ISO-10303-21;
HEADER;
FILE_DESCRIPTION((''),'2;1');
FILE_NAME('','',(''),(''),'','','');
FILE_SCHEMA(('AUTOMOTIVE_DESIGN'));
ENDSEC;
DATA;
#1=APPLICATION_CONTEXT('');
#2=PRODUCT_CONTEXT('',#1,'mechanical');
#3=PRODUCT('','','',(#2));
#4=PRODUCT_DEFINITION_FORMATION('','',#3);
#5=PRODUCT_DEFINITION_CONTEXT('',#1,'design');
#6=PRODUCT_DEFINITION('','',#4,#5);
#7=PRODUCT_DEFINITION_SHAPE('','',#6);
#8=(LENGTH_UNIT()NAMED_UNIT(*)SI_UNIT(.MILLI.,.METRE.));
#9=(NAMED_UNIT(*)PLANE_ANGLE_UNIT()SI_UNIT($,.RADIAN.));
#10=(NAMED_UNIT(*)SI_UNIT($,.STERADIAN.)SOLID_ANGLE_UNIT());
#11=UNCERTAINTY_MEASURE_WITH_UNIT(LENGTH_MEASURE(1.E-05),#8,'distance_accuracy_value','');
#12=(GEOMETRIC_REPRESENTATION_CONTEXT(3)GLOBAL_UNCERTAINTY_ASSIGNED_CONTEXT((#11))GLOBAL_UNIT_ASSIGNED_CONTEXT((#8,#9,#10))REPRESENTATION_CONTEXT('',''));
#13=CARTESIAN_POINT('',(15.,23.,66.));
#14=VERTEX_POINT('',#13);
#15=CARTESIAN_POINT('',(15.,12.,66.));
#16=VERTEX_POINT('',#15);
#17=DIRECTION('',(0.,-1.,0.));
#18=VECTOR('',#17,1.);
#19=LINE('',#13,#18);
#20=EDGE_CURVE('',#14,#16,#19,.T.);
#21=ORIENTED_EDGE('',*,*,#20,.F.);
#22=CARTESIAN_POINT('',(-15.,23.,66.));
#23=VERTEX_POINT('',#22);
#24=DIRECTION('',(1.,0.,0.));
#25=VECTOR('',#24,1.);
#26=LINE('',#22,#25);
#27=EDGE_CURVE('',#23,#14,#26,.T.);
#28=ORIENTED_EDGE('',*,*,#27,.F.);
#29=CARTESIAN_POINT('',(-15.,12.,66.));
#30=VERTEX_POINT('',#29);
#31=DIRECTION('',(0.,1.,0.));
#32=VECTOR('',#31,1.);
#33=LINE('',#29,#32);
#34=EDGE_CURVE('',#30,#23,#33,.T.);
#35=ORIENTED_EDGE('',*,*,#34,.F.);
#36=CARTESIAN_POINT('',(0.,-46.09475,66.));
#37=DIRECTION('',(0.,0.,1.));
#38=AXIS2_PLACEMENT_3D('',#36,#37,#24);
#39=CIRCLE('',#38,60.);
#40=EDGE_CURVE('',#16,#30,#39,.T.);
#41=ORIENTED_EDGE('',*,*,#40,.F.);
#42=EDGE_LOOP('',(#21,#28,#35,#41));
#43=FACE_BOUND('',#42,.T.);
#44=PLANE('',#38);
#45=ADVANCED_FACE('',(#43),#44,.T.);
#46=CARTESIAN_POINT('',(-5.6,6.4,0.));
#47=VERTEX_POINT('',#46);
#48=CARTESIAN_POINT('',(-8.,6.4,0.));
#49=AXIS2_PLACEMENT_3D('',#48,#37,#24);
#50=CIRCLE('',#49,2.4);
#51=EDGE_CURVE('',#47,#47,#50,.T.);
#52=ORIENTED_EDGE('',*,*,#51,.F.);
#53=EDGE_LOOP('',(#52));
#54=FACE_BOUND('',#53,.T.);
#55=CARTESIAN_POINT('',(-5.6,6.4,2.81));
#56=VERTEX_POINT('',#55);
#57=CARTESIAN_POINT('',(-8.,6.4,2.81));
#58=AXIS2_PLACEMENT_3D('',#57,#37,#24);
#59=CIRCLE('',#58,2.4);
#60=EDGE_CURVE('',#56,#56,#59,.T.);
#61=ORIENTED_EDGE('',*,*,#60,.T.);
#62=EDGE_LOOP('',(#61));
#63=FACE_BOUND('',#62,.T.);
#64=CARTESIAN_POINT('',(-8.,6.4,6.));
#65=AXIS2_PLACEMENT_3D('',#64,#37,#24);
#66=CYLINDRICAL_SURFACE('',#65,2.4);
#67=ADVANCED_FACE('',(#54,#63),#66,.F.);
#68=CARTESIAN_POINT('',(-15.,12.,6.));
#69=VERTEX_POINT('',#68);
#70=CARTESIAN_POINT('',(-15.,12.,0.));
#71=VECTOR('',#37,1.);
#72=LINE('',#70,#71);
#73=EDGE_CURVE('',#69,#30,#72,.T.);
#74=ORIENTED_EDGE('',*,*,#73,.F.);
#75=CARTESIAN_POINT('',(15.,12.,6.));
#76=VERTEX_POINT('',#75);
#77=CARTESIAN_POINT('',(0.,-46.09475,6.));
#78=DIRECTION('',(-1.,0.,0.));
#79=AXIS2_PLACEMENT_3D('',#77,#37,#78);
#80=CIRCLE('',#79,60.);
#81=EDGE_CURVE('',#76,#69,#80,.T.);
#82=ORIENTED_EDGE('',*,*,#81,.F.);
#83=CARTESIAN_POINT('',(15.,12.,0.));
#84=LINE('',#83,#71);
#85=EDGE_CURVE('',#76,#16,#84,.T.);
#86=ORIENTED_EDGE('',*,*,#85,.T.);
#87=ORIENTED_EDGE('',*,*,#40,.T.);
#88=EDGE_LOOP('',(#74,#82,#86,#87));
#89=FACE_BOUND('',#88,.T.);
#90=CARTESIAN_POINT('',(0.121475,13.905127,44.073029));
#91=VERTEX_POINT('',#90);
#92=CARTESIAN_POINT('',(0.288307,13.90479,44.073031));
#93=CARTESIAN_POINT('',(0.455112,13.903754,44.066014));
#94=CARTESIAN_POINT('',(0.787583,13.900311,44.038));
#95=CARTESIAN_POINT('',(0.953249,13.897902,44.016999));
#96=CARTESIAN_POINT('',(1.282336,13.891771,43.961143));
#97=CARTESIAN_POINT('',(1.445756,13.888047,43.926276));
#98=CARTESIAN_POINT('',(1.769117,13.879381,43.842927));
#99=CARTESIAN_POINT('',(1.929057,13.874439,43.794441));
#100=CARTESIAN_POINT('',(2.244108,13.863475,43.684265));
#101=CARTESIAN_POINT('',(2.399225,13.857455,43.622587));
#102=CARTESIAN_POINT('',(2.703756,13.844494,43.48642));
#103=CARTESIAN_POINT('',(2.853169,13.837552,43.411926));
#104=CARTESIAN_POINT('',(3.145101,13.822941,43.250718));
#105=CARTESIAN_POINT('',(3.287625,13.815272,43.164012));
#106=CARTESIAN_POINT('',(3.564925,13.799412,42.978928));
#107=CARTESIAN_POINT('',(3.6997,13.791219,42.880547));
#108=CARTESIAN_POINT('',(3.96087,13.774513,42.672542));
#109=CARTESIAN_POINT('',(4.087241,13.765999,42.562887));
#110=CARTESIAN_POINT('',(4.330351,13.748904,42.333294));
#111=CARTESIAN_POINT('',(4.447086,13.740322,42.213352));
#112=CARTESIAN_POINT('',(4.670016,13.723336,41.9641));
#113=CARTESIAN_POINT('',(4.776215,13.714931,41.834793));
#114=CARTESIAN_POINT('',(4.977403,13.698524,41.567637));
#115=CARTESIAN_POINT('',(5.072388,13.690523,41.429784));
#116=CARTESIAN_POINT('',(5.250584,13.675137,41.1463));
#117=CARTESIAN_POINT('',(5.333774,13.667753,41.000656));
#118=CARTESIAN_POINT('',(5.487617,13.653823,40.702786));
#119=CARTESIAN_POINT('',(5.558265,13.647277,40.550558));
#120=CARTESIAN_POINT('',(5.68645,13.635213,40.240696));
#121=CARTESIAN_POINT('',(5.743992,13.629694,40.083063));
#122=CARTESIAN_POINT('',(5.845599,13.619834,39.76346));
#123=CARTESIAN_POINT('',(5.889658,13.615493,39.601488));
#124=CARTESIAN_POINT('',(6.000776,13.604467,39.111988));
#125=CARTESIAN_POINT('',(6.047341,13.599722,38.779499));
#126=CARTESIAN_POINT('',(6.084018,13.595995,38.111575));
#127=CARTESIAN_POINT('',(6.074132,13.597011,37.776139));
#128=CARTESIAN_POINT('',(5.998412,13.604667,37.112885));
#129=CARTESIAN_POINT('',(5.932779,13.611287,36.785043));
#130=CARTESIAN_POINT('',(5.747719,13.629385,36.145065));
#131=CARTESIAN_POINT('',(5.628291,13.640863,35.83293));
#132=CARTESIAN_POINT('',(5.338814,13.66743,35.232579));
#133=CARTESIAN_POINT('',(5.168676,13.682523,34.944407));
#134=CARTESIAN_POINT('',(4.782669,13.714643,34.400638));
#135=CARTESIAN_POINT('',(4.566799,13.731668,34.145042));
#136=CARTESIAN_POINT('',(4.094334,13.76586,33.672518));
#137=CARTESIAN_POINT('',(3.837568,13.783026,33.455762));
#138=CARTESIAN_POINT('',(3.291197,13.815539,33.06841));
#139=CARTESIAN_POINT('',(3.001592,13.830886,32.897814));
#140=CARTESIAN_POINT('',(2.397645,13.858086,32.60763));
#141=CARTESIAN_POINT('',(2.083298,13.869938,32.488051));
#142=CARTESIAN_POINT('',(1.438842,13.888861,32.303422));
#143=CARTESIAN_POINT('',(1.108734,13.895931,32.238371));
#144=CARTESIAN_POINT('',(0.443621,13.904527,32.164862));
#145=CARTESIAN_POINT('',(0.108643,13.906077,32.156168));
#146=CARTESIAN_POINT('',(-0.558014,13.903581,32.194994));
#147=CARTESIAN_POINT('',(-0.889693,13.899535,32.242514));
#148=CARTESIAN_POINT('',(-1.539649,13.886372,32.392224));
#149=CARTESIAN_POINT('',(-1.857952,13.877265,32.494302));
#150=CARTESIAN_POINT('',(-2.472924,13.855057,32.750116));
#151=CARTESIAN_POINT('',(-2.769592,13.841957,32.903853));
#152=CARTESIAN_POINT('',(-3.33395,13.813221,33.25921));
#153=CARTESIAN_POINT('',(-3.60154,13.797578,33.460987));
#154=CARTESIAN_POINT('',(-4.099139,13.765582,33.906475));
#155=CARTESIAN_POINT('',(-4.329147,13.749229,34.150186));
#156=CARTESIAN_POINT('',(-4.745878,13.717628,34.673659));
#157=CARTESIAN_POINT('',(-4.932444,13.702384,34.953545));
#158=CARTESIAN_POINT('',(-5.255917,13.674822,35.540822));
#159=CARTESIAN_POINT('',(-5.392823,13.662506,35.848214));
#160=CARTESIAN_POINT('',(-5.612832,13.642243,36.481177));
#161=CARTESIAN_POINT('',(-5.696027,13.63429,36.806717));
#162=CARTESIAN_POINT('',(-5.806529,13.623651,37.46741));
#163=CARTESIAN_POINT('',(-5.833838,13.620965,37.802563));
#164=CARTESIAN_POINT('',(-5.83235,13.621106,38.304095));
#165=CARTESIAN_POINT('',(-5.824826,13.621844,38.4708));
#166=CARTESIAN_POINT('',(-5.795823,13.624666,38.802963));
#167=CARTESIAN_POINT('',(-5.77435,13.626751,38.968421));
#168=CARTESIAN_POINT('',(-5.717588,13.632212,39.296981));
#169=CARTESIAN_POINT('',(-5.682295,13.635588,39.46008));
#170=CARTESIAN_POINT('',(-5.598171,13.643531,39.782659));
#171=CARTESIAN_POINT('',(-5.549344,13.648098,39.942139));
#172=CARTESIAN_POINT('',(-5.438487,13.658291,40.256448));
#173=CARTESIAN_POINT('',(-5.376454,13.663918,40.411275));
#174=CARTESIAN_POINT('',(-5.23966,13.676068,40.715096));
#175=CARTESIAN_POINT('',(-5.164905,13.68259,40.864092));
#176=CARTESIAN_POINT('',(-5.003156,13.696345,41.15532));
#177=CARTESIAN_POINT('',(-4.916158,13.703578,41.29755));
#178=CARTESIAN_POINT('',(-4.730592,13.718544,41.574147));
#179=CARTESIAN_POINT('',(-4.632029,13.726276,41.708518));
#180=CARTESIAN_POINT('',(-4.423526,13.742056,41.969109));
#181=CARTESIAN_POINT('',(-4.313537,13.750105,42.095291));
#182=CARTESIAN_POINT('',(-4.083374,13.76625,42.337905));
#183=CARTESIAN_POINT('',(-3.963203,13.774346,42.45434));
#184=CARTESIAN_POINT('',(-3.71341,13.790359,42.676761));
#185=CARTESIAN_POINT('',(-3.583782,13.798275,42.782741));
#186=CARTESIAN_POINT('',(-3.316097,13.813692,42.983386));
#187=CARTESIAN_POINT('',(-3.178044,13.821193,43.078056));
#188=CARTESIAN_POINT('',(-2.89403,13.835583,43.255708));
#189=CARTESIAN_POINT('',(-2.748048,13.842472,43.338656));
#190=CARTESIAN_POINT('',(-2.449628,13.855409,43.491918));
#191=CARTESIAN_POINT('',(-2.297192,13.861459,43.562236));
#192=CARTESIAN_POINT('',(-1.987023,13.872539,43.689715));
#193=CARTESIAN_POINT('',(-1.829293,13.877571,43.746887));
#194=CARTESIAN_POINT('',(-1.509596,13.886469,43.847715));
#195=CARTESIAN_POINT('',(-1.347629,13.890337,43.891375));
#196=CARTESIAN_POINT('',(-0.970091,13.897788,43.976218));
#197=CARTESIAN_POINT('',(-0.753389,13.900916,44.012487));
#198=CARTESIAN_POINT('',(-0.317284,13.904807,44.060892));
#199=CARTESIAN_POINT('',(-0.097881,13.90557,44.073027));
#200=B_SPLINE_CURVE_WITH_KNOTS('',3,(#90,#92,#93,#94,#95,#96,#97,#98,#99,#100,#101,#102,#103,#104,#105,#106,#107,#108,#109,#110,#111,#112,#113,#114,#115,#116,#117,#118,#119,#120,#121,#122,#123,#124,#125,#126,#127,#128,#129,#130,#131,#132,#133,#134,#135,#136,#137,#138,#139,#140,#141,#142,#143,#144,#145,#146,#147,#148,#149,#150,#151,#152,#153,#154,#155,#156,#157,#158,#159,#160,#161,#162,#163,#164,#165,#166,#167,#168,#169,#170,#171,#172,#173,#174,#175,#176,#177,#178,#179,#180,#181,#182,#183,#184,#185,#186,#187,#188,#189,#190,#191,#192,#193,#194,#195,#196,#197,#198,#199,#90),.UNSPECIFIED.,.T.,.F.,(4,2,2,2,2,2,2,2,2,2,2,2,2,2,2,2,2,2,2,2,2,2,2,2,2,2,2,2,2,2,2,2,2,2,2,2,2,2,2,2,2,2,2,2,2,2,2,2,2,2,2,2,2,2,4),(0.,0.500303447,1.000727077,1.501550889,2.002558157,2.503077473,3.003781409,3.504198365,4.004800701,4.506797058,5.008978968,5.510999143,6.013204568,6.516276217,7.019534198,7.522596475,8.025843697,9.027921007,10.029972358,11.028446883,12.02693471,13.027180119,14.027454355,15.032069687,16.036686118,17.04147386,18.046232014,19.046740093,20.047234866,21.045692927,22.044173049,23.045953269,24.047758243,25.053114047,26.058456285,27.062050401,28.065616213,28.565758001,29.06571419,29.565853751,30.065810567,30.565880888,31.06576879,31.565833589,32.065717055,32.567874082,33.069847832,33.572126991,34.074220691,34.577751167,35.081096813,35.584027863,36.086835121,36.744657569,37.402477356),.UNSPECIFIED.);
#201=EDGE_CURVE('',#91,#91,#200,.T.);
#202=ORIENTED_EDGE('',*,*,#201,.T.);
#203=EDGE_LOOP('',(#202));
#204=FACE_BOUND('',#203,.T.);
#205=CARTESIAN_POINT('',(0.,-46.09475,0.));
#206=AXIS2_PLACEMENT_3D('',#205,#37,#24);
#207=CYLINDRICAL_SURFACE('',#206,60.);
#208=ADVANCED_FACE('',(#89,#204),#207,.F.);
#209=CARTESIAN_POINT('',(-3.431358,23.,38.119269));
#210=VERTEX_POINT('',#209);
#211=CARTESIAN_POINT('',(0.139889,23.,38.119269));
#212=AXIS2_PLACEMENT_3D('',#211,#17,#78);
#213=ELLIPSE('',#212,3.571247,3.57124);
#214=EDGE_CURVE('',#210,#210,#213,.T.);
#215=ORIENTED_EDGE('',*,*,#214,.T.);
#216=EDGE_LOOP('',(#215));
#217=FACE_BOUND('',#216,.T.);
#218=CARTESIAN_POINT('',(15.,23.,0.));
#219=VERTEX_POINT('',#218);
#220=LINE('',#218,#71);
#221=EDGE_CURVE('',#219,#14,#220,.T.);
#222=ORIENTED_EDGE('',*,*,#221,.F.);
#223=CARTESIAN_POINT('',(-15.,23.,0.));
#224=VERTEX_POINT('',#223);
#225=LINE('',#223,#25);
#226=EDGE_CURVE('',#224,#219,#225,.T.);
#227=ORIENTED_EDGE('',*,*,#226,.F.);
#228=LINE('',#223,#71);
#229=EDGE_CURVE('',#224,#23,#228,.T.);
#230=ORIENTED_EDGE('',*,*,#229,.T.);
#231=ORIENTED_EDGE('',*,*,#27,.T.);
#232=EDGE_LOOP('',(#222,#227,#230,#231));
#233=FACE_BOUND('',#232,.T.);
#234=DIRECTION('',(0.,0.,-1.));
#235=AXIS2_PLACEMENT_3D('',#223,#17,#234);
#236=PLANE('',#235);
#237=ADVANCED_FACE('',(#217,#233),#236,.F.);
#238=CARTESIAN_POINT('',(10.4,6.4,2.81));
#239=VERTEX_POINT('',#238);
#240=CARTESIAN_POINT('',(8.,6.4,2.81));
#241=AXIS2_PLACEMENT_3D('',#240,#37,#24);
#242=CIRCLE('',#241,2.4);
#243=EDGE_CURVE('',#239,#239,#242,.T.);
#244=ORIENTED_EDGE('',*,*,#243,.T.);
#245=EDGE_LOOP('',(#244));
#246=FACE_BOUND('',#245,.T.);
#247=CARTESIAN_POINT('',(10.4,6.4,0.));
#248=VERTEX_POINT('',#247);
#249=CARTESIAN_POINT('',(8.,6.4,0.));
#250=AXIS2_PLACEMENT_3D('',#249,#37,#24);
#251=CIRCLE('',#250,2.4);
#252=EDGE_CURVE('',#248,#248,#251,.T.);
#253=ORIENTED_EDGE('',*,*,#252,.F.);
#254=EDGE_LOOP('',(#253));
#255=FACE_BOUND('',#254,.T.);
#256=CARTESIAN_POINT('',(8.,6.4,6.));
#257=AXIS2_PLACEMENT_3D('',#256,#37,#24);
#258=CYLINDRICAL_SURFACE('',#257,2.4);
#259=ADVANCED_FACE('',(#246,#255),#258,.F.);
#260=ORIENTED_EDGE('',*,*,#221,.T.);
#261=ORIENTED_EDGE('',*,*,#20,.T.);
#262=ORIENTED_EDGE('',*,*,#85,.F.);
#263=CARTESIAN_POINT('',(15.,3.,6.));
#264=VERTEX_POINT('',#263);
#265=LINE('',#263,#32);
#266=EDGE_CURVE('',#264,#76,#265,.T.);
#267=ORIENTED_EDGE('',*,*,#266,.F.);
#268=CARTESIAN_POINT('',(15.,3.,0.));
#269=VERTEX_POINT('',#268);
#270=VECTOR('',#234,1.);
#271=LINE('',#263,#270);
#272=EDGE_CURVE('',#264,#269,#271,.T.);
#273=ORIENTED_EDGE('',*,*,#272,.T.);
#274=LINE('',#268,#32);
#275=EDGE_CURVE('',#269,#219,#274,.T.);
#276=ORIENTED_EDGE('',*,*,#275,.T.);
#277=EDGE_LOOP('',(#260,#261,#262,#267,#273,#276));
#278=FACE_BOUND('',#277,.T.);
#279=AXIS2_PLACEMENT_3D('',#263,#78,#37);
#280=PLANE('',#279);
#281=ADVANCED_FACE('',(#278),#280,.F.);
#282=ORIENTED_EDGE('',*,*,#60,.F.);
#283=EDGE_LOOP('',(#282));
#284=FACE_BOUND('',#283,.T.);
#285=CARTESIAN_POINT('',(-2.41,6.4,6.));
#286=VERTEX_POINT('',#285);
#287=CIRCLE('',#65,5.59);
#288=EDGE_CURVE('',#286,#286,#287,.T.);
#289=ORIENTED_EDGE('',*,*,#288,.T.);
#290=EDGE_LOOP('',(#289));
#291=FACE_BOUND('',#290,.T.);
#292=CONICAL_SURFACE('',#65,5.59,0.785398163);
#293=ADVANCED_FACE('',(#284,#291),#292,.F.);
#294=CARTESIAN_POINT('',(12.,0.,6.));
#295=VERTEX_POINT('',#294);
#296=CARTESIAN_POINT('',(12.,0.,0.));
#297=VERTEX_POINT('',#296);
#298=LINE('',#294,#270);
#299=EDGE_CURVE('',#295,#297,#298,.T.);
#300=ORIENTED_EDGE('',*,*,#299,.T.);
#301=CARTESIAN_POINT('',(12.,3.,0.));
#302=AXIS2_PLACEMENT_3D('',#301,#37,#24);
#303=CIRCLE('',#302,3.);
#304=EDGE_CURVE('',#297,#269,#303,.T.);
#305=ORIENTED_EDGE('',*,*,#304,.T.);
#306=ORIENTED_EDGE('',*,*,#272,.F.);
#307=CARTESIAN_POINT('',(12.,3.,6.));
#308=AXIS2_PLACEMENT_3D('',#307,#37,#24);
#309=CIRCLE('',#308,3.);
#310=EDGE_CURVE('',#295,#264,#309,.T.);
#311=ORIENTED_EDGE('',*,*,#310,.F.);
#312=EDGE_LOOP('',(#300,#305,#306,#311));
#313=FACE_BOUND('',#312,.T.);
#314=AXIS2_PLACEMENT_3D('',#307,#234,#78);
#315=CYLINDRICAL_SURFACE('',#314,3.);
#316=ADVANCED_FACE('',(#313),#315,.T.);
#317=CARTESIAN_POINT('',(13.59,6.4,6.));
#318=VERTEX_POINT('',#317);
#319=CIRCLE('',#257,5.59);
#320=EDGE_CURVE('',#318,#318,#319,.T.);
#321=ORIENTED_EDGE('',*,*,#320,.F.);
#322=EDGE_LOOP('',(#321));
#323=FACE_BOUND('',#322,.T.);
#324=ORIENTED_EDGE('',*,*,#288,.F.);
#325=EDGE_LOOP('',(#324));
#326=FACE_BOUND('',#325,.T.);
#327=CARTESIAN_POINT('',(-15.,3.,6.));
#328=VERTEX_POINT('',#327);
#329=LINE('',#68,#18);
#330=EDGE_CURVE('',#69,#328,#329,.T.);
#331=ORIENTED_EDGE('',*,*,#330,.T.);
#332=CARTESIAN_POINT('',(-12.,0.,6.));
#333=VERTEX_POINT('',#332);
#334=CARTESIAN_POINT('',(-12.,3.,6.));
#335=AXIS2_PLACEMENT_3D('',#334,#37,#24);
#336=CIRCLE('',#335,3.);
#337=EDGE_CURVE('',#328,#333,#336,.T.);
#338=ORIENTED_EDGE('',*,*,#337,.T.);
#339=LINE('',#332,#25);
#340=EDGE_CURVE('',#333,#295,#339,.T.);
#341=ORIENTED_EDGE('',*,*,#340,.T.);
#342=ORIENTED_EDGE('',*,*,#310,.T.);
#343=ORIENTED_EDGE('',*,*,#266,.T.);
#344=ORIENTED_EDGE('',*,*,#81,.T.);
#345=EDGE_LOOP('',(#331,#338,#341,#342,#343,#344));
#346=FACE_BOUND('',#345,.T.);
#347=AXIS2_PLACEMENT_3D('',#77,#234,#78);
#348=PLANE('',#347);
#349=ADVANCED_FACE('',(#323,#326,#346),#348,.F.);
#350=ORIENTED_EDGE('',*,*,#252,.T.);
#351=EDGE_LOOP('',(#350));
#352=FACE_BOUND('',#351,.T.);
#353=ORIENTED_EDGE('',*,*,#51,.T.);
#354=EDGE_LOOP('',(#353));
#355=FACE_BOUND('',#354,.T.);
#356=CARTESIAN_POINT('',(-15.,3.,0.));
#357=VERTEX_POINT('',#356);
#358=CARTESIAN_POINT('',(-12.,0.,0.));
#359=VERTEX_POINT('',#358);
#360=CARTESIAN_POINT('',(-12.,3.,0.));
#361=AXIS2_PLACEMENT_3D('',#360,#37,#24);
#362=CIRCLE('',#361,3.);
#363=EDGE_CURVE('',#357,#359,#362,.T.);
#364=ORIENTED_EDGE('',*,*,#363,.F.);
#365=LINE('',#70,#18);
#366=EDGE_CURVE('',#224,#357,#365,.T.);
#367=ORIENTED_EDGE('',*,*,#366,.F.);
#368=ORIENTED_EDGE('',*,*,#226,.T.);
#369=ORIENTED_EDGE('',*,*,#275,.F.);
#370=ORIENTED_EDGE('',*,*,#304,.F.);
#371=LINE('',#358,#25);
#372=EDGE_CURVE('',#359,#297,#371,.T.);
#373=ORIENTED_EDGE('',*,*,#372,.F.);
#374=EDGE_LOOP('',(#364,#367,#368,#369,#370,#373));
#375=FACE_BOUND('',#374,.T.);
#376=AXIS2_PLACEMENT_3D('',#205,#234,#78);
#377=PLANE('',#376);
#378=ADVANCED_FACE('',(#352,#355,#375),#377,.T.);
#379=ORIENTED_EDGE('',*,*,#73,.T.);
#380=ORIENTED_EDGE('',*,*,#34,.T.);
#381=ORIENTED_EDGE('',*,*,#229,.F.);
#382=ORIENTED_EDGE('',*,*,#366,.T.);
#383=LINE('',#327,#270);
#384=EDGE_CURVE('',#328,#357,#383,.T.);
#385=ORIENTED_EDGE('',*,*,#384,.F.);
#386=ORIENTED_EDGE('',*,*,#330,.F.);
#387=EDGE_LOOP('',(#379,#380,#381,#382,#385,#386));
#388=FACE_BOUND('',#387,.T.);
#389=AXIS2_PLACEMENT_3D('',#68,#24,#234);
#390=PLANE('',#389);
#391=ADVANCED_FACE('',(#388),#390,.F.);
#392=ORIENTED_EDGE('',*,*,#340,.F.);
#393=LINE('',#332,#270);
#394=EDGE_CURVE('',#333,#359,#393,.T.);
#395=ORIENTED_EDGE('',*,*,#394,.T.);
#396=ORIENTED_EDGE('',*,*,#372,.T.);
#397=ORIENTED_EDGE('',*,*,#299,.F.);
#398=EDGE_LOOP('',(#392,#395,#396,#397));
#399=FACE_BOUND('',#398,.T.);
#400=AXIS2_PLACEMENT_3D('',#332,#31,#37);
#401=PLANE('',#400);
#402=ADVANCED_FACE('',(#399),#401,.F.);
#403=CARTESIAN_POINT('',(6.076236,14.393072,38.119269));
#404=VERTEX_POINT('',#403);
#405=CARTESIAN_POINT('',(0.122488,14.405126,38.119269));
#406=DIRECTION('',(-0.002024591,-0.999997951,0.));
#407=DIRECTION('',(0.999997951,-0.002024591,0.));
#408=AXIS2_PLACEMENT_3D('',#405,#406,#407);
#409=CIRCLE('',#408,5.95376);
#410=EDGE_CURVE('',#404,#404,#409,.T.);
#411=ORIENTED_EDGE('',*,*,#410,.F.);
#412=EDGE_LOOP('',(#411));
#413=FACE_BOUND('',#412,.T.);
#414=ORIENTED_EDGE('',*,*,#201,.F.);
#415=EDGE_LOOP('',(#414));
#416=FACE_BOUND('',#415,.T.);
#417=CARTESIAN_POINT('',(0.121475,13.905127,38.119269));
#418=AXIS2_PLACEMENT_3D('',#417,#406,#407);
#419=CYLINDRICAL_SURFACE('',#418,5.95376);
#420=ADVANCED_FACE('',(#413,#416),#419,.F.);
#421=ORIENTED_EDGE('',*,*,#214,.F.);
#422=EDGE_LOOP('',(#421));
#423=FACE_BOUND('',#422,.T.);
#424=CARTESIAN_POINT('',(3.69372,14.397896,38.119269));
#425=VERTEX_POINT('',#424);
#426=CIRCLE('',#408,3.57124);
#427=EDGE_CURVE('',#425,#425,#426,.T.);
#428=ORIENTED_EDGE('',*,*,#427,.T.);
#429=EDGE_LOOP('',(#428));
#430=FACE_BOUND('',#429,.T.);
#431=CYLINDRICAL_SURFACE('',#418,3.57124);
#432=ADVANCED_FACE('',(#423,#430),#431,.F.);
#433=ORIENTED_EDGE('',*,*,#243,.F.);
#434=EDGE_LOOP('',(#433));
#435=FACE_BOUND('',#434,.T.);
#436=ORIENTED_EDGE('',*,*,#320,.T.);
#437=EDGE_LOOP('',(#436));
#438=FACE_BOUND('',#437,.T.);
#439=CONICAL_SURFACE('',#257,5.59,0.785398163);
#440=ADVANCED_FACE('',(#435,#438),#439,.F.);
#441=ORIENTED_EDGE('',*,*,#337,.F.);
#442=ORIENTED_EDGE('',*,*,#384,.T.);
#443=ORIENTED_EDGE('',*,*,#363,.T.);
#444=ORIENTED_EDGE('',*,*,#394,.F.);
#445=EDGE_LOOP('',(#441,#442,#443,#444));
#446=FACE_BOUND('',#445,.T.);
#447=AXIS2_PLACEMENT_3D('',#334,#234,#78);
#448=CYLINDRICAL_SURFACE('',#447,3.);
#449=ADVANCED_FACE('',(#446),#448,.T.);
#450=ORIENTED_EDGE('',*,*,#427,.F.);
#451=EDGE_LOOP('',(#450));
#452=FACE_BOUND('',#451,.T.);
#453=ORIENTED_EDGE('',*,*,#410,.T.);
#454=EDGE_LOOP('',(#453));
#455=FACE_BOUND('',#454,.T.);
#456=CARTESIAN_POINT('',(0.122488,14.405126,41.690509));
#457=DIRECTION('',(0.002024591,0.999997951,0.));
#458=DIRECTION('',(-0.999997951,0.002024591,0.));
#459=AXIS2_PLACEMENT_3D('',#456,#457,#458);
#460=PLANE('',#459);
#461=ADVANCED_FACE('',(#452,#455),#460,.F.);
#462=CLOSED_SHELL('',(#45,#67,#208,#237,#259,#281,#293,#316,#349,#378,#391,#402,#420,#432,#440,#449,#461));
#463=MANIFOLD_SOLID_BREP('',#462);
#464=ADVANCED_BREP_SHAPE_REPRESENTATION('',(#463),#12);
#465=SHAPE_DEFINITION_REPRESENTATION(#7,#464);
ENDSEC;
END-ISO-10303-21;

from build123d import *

# Parameters (mm, degrees)
AUFSATZ_LINEAR_AUSTRAGEN1_DEPTH                      = 6
FORMSENKUNG_F_R_M4_SENKSCHRAUBE_MIT_INNE_D           = 4.8
FORMSENKUNG_F_R_M4_SENKSCHRAUBE_MIT_INNE_CSINK_D     = 11.18
FORMSENKUNG_F_R_M4_SENKSCHRAUBE_MIT_INNE_CSINK_ANGLE = 90
AUFSATZ_LINEAR_AUSTRAGEN2_DEPTH                      = 60
AUFSATZ_LINEAR_AUSTRAGEN2_DEPTH_BACK                 = 6
STIRNSENKUNG_F_R_1_4_FLACHKOPFSCHRAUBE_D             = 7.14248
STIRNSENKUNG_F_R_1_4_FLACHKOPFSCHRAUBE_CBORE_D       = 11.90752
STIRNSENKUNG_F_R_1_4_FLACHKOPFSCHRAUBE_CBORE_DEPTH   = 0.500000016


with BuildPart() as part:
    # Skizze1 → Aufsatz-Linear austragen1 (new body)
    with BuildSketch(Plane.XY):
        with BuildLine():
            Line((-15, 12), (-15, 3))
            ThreePointArc((-15, 3), (-14.121320344, 0.878679656), (-12, 0))
            Line((-12, 0), (12, 0))
            ThreePointArc((12, 0), (14.121320344, 0.878679656), (15, 3))
            Line((15, 3), (15, 12))
            ThreePointArc((15, 12), (0, 13.905249807), (-15, 12))
        make_face()
    extrude(amount=AUFSATZ_LINEAR_AUSTRAGEN1_DEPTH)

    # Formsenkung für M4 Senkschraube mit Innensechskant1 (through all)
    with Locations(Plane.XY.offset(6)):
        with Locations((-8, 6.4), (8, 6.4)):
            CounterSinkHole(FORMSENKUNG_F_R_M4_SENKSCHRAUBE_MIT_INNE_D / 2, FORMSENKUNG_F_R_M4_SENKSCHRAUBE_MIT_INNE_CSINK_D / 2, counter_sink_angle=FORMSENKUNG_F_R_M4_SENKSCHRAUBE_MIT_INNE_CSINK_ANGLE)

    # Skizze4 → Aufsatz-Linear austragen2 (add, two sides)
    with BuildSketch(Plane.XY.offset(6)) as aufsatz_linear_austragen2_sk:
        with BuildLine():
            Line((-15, 12), (-15, 23))
            Line((-15, 23), (15, 23))
            Line((15, 23), (15, 12))
            ThreePointArc((15, 12), (0, 13.905249807), (-15, 12))
        make_face()
    extrude(amount=AUFSATZ_LINEAR_AUSTRAGEN2_DEPTH)
    extrude(aufsatz_linear_austragen2_sk.sketch, amount=-AUFSATZ_LINEAR_AUSTRAGEN2_DEPTH_BACK)

    # Stirnsenkung für 1/4 Flachkopfschraube (Kopf Button)1 (through all)
    with Locations(Plane(origin=(0.121475485, 13.905126838, 38.119269102), x_dir=(-0.999997951, 0.002024591, 0), z_dir=(-0.002024591, -0.999997951, 0))):
        with Locations((0, 0)):
            CounterBoreHole(STIRNSENKUNG_F_R_1_4_FLACHKOPFSCHRAUBE_D / 2, STIRNSENKUNG_F_R_1_4_FLACHKOPFSCHRAUBE_CBORE_D / 2, STIRNSENKUNG_F_R_1_4_FLACHKOPFSCHRAUBE_CBORE_DEPTH)


solid = part.part
